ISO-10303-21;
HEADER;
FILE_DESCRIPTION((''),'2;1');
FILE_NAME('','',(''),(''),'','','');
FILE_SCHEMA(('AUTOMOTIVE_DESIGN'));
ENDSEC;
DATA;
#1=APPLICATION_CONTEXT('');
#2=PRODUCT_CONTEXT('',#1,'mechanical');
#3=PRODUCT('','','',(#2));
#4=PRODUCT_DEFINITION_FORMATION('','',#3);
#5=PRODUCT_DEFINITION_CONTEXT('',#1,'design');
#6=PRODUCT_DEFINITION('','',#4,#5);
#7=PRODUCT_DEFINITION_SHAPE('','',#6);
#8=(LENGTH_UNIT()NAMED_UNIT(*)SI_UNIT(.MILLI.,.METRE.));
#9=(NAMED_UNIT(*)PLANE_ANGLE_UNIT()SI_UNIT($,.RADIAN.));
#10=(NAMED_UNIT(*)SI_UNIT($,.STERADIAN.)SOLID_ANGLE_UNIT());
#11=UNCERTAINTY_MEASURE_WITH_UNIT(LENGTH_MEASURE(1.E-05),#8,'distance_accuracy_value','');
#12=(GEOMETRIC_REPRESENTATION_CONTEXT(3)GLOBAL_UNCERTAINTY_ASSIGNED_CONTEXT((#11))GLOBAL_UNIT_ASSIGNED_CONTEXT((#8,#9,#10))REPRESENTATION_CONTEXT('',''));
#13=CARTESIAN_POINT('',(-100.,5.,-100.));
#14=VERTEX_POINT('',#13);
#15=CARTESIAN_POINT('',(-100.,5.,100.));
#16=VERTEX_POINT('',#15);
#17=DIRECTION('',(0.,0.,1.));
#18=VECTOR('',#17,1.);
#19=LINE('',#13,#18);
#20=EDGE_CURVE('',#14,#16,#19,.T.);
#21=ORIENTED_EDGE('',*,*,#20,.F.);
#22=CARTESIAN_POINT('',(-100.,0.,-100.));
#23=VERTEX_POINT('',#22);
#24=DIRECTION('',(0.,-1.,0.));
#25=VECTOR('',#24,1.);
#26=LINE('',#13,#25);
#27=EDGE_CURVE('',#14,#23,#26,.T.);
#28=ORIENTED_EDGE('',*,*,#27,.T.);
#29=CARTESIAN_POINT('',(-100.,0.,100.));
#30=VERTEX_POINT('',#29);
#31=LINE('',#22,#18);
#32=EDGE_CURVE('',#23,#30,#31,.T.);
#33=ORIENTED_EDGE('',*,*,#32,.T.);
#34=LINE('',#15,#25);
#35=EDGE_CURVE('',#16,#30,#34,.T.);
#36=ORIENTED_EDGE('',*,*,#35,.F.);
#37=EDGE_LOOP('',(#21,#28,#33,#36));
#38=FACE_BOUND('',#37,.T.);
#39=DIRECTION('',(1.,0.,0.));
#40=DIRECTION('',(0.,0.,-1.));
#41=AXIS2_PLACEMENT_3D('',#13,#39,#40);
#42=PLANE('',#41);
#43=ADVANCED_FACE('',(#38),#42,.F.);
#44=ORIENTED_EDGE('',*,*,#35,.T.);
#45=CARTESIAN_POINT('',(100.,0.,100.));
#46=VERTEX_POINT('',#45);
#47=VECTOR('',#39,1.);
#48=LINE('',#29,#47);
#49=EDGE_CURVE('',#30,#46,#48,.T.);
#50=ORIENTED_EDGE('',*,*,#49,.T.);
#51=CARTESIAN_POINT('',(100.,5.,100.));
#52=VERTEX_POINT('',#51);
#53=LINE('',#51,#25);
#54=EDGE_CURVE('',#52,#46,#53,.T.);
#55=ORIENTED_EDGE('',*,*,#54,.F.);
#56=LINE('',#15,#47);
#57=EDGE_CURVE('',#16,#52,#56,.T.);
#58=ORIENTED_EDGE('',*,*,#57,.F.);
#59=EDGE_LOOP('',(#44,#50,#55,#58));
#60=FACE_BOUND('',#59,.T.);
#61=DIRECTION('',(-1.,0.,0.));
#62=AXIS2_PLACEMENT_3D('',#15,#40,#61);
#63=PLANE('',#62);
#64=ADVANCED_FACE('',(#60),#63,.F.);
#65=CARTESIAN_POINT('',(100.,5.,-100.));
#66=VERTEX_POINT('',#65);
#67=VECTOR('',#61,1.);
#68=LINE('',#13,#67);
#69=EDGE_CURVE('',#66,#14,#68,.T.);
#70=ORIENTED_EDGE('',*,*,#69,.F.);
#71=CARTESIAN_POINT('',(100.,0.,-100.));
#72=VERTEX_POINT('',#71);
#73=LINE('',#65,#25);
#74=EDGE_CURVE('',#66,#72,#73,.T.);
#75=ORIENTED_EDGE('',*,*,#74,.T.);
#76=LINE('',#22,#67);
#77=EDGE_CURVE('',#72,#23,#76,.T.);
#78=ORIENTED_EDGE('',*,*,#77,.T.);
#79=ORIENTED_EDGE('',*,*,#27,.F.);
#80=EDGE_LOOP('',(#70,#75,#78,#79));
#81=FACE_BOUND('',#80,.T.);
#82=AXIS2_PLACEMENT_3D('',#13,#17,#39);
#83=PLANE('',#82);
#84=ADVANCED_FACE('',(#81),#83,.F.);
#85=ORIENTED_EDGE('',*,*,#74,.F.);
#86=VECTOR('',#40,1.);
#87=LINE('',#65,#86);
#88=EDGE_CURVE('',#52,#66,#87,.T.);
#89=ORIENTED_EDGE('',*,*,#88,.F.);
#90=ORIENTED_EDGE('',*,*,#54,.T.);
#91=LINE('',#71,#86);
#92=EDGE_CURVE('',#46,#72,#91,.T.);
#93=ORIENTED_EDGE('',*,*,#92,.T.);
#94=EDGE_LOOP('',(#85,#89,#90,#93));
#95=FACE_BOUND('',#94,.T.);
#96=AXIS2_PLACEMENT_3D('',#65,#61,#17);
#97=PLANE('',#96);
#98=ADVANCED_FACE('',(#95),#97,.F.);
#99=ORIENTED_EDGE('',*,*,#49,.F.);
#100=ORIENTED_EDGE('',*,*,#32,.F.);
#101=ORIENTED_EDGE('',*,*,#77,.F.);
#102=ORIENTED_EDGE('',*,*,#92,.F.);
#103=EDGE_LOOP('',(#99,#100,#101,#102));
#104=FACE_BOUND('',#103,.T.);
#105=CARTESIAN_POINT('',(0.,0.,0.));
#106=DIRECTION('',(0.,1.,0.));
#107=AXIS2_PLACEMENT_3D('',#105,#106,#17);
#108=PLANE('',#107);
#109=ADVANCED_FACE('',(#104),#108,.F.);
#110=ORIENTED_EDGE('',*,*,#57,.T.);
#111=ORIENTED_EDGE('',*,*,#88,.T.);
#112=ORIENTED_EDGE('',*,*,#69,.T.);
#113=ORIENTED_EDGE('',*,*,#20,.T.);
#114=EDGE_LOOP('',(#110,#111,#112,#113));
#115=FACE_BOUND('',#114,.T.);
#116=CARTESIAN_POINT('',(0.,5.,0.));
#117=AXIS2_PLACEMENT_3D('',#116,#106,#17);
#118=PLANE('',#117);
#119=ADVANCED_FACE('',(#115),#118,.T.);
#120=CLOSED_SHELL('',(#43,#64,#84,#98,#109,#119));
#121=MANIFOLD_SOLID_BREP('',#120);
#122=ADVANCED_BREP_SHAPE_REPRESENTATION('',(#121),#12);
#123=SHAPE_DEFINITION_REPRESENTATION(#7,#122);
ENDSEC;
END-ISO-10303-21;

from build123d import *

# Parameters (mm, degrees)
SKETCH_1_W      = 200
SKETCH_1_H      = 200
EXTRUDE_1_DEPTH = 5


with BuildPart() as part:
    # 草图1 → 凸台-拉伸1 (new body)
    with BuildSketch(Plane(origin=(0, 0, 0), x_dir=(1, 0, 0), z_dir=(0, 1, 0))):
        Rectangle(SKETCH_1_W, SKETCH_1_H)
    extrude(amount=EXTRUDE_1_DEPTH)


solid = part.part
